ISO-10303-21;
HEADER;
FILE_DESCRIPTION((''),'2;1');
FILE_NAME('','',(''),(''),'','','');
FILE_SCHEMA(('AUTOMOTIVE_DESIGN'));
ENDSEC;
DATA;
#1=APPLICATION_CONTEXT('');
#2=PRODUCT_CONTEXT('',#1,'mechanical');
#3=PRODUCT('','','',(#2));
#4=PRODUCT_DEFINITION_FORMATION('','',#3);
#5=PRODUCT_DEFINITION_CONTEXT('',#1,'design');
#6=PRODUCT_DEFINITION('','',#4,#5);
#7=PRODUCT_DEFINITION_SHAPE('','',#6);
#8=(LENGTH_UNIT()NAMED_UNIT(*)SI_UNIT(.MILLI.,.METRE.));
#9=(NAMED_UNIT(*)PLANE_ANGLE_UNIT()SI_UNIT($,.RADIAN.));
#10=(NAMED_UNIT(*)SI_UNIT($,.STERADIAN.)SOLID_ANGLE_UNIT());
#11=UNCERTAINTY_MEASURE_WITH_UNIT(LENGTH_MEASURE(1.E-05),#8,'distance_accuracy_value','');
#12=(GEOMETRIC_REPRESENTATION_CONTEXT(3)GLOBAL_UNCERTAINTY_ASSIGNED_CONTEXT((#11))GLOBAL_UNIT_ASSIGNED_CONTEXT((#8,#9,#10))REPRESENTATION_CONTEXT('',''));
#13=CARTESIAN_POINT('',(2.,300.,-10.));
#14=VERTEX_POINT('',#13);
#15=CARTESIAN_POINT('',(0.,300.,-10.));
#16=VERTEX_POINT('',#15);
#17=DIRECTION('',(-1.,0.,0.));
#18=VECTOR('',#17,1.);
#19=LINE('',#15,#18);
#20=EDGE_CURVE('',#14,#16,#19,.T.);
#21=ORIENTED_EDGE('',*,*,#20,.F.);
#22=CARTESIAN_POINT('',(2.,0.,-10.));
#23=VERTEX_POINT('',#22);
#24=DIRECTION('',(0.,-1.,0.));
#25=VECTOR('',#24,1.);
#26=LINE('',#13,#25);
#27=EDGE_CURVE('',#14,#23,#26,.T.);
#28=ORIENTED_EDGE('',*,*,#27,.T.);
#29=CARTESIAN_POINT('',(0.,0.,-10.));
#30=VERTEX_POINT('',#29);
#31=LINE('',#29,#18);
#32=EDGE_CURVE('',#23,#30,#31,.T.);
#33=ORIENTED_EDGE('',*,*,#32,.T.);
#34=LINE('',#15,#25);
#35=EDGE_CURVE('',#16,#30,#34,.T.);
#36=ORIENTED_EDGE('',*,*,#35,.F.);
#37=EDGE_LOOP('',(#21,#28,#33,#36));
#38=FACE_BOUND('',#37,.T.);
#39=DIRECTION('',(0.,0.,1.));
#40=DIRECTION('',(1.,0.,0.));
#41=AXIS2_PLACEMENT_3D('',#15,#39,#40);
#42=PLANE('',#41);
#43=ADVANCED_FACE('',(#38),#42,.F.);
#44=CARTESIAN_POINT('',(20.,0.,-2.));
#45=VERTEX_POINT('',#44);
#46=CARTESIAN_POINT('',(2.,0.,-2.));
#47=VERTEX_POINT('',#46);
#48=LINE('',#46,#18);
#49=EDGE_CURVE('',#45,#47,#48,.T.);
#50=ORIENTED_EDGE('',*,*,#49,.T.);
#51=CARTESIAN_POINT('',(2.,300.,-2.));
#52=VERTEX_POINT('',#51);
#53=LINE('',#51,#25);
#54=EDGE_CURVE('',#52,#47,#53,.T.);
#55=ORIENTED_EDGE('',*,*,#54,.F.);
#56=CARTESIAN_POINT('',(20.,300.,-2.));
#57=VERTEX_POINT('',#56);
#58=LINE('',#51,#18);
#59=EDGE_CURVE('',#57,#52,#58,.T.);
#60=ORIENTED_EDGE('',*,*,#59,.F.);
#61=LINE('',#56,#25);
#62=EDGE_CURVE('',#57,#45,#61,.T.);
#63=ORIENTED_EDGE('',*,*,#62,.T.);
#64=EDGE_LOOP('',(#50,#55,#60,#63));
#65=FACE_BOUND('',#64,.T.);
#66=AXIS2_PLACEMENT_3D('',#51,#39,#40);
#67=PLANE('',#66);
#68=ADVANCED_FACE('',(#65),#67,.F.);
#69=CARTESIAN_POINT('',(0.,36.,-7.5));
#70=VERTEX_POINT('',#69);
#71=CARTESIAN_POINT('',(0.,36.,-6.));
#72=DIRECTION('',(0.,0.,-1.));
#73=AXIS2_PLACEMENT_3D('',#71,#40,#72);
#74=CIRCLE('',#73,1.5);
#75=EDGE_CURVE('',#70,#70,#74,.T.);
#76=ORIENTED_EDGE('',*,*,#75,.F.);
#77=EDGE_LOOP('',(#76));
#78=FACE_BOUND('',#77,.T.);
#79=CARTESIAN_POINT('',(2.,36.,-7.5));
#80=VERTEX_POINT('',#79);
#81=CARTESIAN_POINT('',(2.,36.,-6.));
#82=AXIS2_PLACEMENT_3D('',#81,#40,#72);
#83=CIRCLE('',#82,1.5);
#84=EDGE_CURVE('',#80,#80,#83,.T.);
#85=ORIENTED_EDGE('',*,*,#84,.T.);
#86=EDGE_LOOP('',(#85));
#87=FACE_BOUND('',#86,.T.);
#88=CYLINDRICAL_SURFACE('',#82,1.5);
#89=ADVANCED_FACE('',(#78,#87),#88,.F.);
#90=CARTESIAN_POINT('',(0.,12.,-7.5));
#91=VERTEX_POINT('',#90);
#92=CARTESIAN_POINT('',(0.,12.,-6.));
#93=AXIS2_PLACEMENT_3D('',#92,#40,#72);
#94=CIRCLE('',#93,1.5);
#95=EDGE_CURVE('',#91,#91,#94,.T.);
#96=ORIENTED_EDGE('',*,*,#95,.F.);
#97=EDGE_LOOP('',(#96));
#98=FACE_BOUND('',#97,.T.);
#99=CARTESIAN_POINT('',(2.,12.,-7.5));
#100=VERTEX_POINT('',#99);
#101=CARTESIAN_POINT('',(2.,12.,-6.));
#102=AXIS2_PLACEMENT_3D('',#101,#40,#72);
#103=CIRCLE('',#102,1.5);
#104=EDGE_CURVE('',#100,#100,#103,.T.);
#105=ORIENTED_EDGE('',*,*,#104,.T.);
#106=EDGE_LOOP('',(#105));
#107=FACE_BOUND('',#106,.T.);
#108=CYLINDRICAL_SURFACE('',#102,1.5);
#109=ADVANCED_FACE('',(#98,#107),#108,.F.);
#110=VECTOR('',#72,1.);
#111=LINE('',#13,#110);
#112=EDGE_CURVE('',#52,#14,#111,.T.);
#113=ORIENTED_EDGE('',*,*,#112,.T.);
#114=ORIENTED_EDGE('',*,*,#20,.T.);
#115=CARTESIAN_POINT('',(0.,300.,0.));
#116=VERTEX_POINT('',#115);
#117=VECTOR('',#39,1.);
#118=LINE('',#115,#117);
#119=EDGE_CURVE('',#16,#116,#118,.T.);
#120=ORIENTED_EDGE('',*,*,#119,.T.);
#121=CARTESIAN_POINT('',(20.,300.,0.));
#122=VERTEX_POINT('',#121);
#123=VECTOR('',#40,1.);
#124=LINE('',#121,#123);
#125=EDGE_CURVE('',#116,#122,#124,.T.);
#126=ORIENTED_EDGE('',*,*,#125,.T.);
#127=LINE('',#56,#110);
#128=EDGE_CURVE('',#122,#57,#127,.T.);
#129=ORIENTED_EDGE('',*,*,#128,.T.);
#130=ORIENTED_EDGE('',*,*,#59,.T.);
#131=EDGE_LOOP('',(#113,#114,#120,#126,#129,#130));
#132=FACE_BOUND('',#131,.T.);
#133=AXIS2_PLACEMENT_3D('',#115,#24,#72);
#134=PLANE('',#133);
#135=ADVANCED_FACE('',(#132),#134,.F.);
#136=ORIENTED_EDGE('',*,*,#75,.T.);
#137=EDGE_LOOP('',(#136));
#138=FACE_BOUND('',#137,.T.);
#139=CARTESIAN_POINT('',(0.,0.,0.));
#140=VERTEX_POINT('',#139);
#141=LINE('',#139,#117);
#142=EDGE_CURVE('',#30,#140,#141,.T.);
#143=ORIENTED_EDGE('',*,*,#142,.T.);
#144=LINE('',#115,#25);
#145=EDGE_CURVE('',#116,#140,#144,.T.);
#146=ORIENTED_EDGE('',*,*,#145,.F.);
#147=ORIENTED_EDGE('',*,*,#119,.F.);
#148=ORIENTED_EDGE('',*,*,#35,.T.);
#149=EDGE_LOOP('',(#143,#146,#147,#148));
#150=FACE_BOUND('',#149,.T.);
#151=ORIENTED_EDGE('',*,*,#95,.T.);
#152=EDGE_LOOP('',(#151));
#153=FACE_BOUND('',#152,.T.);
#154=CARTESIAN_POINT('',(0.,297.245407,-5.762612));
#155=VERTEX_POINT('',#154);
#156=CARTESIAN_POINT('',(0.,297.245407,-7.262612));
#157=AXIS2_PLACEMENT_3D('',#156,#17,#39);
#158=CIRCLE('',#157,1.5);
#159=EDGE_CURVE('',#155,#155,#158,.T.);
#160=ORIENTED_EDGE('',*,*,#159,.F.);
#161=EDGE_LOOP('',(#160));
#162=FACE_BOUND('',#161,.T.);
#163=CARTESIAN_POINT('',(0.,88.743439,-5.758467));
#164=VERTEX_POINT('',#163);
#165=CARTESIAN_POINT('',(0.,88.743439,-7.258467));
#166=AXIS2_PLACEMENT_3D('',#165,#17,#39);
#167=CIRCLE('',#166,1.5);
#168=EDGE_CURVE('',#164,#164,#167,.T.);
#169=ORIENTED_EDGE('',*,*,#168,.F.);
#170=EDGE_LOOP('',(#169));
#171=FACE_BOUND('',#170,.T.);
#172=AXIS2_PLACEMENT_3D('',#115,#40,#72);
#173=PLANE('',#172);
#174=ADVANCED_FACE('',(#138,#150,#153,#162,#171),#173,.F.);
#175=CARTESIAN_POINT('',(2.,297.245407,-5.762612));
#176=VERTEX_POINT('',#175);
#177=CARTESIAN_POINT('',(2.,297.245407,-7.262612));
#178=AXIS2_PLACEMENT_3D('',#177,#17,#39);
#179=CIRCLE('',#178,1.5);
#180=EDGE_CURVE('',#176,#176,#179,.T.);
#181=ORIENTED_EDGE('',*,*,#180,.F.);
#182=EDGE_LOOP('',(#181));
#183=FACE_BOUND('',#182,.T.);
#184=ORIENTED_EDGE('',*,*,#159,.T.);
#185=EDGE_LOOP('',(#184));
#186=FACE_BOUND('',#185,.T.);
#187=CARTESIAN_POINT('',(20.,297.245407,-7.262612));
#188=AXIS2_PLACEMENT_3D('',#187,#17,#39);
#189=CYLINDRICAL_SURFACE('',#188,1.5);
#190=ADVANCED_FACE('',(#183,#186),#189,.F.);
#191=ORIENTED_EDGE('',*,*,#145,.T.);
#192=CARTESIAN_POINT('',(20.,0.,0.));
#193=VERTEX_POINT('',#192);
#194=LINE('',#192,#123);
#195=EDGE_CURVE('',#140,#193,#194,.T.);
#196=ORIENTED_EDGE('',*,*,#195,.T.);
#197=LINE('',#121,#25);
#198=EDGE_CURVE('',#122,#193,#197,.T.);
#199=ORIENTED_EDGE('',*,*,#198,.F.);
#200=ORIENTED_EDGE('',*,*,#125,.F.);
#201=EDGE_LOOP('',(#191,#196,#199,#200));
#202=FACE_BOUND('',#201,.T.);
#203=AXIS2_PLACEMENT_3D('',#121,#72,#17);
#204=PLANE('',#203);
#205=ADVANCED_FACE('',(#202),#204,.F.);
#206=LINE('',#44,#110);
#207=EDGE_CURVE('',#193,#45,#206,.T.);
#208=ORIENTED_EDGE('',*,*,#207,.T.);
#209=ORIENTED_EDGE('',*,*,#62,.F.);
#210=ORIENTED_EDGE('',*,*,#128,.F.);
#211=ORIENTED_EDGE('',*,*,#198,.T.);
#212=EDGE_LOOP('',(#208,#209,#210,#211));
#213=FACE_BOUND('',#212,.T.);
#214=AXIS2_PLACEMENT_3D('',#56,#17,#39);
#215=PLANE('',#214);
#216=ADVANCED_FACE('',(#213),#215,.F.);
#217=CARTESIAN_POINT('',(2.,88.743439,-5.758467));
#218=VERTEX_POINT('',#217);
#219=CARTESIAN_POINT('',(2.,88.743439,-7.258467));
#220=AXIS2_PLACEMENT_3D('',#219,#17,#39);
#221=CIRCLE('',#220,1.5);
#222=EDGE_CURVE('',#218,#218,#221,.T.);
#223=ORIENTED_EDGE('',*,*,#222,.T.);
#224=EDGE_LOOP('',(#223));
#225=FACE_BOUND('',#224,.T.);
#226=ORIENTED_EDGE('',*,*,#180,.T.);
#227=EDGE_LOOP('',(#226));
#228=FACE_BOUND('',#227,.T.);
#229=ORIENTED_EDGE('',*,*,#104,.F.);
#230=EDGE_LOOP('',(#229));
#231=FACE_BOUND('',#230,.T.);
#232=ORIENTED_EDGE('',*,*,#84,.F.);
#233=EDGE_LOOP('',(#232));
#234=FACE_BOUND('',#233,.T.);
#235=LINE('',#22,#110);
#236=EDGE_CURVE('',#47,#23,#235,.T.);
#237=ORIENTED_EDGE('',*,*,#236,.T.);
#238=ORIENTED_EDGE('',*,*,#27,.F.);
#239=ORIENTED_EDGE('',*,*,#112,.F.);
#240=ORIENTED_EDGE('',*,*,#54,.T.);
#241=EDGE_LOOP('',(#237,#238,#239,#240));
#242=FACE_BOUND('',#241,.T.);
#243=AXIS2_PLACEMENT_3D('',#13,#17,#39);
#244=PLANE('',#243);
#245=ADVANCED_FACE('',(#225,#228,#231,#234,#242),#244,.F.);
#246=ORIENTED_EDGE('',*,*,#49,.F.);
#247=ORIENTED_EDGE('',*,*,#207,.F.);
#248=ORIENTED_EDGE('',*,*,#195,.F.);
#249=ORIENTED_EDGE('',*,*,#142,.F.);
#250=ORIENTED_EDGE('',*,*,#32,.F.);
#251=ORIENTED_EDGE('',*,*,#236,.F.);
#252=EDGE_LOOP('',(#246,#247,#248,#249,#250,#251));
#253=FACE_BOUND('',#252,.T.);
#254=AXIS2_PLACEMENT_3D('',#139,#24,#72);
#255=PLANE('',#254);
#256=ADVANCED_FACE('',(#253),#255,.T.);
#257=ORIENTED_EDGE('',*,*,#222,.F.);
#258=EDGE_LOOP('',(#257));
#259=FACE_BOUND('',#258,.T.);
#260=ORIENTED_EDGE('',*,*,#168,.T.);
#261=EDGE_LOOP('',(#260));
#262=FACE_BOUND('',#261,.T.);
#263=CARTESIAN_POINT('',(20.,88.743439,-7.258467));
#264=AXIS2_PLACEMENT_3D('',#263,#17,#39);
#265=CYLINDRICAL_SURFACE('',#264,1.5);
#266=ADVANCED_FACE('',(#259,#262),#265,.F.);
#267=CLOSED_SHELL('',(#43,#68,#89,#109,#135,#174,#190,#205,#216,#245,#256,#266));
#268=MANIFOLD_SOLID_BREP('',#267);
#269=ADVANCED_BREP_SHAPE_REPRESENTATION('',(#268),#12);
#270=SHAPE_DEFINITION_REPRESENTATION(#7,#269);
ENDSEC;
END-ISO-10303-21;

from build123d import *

# Parameters (mm, degrees)
BOSS_EXTRUDE1_DEPTH      = 300
SKETCH2_R                = 1.5
CUT_EXTRUDE1_DEPTH       = 301.83217913
F_3_0_3_DIAMETER_HOLE1_D = 3


with BuildPart() as part:
    # Sketch1 → Boss-Extrude1 (new body)
    with BuildSketch(Plane(origin=(0, 0, 0), x_dir=(1, 0, 0), z_dir=(0, 1, 0))):
        Polygon((0, 0), (0, 10), (2, 10), (2, 2), (20, 2), (20, 0), align=None)
    extrude(amount=BOSS_EXTRUDE1_DEPTH)

    # Sketch2 → Cut-Extrude1 (cut, through all)
    with BuildSketch(Plane.ZY):
        with Locations((-7.262612197, 297.245406858)):
            Circle(SKETCH2_R)
        with Locations((-7.258467028, 88.743438507)):
            Circle(SKETCH2_R)
    extrude(amount=-CUT_EXTRUDE1_DEPTH, mode=Mode.SUBTRACT)

    # Ø3.0 (3) Diameter Hole1 (through all)
    with Locations(Plane(origin=(2, -25.407632793, 52.861996081), x_dir=(0, 0, -1), z_dir=(1, 0, 0))):
        with Locations((58.861996081, 61.407632793), (58.861996081, 37.407632793)):
            Hole(F_3_0_3_DIAMETER_HOLE1_D / 2)


solid = part.part
